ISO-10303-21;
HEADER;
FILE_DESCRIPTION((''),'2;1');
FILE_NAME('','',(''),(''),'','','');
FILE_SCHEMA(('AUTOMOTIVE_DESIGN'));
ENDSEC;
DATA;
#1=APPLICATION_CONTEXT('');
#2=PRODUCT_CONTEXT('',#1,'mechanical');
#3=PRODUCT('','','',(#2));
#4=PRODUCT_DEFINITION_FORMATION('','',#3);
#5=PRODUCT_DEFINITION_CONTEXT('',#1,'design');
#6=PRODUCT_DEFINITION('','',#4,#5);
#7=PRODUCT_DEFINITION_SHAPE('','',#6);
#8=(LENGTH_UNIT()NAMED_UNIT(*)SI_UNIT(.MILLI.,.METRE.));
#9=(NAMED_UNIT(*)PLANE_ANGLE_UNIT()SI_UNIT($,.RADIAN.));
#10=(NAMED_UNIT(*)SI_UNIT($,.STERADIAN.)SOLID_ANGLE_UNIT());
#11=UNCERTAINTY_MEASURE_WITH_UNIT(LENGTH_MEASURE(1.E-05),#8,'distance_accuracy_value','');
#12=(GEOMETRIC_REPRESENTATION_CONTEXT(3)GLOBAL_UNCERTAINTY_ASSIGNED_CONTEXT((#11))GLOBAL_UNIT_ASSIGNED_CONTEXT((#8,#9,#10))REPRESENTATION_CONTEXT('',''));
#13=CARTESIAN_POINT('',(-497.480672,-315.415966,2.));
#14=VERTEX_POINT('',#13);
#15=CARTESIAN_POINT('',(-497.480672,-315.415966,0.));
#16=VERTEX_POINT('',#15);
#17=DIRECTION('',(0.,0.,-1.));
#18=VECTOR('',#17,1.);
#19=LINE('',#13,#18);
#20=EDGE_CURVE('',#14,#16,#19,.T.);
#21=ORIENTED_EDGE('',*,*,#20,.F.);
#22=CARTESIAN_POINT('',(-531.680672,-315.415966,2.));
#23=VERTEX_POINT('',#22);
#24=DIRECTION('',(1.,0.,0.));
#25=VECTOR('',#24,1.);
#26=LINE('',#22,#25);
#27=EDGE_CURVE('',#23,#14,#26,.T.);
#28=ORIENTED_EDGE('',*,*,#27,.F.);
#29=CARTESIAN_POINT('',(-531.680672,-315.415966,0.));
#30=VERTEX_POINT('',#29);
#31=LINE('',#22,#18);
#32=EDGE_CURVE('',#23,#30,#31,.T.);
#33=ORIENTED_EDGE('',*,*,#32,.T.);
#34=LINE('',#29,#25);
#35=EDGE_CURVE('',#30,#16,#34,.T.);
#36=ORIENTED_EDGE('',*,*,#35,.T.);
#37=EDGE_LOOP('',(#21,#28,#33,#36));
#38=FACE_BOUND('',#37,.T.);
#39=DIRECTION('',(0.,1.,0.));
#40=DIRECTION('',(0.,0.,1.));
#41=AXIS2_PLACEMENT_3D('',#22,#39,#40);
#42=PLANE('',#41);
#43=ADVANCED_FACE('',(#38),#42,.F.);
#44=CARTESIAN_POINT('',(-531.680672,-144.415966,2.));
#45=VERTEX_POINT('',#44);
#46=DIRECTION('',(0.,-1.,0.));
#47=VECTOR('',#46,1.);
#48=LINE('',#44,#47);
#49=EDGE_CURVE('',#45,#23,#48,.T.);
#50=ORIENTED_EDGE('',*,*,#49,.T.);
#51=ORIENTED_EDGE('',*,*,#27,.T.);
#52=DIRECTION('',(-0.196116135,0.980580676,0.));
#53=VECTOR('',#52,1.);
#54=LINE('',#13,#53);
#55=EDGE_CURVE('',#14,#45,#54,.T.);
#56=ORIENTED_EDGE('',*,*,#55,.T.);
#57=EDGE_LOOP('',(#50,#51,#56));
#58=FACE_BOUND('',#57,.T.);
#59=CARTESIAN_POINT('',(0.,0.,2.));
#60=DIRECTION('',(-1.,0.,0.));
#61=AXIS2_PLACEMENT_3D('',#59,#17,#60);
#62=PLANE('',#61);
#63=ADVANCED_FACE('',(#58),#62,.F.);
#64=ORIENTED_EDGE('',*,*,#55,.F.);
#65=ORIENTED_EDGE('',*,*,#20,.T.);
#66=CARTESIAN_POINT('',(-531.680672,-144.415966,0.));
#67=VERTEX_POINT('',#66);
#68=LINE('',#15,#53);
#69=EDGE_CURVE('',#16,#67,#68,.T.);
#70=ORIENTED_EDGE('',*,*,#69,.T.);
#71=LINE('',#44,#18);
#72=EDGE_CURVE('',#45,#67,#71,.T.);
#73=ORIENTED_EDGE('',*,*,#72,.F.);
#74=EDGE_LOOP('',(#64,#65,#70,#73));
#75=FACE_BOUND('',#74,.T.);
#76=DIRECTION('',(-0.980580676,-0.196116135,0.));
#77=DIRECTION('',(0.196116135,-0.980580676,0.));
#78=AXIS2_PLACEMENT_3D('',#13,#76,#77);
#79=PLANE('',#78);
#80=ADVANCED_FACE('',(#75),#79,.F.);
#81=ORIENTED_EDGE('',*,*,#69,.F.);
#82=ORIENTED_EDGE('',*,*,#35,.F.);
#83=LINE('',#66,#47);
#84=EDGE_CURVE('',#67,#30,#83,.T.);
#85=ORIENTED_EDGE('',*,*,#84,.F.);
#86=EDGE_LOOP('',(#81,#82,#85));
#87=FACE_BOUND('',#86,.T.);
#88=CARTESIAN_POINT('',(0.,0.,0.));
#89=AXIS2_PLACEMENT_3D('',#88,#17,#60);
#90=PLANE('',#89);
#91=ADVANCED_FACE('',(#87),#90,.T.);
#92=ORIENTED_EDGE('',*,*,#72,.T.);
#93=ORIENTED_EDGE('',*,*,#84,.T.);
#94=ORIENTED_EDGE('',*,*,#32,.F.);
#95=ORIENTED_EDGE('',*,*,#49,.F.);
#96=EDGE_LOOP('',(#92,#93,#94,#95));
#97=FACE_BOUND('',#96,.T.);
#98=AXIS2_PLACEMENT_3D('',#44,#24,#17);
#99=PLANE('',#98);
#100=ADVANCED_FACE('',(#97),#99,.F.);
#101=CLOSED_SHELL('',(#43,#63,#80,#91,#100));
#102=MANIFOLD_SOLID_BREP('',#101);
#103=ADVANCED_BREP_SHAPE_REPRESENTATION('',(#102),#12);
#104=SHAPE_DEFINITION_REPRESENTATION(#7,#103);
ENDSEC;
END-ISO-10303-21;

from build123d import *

# Parameters (mm, degrees)
BOSS_EXTRUDE1_DEPTH = 2


with BuildPart() as part:
    # Sketch1 → Boss-Extrude1 (new body)
    with BuildSketch(Plane.XY):
        Polygon((-531.680672269, -144.415966387), (-531.680672269, -315.415966387), (-497.480672269, -315.415966387), align=None)
    extrude(amount=BOSS_EXTRUDE1_DEPTH)


solid = part.part
